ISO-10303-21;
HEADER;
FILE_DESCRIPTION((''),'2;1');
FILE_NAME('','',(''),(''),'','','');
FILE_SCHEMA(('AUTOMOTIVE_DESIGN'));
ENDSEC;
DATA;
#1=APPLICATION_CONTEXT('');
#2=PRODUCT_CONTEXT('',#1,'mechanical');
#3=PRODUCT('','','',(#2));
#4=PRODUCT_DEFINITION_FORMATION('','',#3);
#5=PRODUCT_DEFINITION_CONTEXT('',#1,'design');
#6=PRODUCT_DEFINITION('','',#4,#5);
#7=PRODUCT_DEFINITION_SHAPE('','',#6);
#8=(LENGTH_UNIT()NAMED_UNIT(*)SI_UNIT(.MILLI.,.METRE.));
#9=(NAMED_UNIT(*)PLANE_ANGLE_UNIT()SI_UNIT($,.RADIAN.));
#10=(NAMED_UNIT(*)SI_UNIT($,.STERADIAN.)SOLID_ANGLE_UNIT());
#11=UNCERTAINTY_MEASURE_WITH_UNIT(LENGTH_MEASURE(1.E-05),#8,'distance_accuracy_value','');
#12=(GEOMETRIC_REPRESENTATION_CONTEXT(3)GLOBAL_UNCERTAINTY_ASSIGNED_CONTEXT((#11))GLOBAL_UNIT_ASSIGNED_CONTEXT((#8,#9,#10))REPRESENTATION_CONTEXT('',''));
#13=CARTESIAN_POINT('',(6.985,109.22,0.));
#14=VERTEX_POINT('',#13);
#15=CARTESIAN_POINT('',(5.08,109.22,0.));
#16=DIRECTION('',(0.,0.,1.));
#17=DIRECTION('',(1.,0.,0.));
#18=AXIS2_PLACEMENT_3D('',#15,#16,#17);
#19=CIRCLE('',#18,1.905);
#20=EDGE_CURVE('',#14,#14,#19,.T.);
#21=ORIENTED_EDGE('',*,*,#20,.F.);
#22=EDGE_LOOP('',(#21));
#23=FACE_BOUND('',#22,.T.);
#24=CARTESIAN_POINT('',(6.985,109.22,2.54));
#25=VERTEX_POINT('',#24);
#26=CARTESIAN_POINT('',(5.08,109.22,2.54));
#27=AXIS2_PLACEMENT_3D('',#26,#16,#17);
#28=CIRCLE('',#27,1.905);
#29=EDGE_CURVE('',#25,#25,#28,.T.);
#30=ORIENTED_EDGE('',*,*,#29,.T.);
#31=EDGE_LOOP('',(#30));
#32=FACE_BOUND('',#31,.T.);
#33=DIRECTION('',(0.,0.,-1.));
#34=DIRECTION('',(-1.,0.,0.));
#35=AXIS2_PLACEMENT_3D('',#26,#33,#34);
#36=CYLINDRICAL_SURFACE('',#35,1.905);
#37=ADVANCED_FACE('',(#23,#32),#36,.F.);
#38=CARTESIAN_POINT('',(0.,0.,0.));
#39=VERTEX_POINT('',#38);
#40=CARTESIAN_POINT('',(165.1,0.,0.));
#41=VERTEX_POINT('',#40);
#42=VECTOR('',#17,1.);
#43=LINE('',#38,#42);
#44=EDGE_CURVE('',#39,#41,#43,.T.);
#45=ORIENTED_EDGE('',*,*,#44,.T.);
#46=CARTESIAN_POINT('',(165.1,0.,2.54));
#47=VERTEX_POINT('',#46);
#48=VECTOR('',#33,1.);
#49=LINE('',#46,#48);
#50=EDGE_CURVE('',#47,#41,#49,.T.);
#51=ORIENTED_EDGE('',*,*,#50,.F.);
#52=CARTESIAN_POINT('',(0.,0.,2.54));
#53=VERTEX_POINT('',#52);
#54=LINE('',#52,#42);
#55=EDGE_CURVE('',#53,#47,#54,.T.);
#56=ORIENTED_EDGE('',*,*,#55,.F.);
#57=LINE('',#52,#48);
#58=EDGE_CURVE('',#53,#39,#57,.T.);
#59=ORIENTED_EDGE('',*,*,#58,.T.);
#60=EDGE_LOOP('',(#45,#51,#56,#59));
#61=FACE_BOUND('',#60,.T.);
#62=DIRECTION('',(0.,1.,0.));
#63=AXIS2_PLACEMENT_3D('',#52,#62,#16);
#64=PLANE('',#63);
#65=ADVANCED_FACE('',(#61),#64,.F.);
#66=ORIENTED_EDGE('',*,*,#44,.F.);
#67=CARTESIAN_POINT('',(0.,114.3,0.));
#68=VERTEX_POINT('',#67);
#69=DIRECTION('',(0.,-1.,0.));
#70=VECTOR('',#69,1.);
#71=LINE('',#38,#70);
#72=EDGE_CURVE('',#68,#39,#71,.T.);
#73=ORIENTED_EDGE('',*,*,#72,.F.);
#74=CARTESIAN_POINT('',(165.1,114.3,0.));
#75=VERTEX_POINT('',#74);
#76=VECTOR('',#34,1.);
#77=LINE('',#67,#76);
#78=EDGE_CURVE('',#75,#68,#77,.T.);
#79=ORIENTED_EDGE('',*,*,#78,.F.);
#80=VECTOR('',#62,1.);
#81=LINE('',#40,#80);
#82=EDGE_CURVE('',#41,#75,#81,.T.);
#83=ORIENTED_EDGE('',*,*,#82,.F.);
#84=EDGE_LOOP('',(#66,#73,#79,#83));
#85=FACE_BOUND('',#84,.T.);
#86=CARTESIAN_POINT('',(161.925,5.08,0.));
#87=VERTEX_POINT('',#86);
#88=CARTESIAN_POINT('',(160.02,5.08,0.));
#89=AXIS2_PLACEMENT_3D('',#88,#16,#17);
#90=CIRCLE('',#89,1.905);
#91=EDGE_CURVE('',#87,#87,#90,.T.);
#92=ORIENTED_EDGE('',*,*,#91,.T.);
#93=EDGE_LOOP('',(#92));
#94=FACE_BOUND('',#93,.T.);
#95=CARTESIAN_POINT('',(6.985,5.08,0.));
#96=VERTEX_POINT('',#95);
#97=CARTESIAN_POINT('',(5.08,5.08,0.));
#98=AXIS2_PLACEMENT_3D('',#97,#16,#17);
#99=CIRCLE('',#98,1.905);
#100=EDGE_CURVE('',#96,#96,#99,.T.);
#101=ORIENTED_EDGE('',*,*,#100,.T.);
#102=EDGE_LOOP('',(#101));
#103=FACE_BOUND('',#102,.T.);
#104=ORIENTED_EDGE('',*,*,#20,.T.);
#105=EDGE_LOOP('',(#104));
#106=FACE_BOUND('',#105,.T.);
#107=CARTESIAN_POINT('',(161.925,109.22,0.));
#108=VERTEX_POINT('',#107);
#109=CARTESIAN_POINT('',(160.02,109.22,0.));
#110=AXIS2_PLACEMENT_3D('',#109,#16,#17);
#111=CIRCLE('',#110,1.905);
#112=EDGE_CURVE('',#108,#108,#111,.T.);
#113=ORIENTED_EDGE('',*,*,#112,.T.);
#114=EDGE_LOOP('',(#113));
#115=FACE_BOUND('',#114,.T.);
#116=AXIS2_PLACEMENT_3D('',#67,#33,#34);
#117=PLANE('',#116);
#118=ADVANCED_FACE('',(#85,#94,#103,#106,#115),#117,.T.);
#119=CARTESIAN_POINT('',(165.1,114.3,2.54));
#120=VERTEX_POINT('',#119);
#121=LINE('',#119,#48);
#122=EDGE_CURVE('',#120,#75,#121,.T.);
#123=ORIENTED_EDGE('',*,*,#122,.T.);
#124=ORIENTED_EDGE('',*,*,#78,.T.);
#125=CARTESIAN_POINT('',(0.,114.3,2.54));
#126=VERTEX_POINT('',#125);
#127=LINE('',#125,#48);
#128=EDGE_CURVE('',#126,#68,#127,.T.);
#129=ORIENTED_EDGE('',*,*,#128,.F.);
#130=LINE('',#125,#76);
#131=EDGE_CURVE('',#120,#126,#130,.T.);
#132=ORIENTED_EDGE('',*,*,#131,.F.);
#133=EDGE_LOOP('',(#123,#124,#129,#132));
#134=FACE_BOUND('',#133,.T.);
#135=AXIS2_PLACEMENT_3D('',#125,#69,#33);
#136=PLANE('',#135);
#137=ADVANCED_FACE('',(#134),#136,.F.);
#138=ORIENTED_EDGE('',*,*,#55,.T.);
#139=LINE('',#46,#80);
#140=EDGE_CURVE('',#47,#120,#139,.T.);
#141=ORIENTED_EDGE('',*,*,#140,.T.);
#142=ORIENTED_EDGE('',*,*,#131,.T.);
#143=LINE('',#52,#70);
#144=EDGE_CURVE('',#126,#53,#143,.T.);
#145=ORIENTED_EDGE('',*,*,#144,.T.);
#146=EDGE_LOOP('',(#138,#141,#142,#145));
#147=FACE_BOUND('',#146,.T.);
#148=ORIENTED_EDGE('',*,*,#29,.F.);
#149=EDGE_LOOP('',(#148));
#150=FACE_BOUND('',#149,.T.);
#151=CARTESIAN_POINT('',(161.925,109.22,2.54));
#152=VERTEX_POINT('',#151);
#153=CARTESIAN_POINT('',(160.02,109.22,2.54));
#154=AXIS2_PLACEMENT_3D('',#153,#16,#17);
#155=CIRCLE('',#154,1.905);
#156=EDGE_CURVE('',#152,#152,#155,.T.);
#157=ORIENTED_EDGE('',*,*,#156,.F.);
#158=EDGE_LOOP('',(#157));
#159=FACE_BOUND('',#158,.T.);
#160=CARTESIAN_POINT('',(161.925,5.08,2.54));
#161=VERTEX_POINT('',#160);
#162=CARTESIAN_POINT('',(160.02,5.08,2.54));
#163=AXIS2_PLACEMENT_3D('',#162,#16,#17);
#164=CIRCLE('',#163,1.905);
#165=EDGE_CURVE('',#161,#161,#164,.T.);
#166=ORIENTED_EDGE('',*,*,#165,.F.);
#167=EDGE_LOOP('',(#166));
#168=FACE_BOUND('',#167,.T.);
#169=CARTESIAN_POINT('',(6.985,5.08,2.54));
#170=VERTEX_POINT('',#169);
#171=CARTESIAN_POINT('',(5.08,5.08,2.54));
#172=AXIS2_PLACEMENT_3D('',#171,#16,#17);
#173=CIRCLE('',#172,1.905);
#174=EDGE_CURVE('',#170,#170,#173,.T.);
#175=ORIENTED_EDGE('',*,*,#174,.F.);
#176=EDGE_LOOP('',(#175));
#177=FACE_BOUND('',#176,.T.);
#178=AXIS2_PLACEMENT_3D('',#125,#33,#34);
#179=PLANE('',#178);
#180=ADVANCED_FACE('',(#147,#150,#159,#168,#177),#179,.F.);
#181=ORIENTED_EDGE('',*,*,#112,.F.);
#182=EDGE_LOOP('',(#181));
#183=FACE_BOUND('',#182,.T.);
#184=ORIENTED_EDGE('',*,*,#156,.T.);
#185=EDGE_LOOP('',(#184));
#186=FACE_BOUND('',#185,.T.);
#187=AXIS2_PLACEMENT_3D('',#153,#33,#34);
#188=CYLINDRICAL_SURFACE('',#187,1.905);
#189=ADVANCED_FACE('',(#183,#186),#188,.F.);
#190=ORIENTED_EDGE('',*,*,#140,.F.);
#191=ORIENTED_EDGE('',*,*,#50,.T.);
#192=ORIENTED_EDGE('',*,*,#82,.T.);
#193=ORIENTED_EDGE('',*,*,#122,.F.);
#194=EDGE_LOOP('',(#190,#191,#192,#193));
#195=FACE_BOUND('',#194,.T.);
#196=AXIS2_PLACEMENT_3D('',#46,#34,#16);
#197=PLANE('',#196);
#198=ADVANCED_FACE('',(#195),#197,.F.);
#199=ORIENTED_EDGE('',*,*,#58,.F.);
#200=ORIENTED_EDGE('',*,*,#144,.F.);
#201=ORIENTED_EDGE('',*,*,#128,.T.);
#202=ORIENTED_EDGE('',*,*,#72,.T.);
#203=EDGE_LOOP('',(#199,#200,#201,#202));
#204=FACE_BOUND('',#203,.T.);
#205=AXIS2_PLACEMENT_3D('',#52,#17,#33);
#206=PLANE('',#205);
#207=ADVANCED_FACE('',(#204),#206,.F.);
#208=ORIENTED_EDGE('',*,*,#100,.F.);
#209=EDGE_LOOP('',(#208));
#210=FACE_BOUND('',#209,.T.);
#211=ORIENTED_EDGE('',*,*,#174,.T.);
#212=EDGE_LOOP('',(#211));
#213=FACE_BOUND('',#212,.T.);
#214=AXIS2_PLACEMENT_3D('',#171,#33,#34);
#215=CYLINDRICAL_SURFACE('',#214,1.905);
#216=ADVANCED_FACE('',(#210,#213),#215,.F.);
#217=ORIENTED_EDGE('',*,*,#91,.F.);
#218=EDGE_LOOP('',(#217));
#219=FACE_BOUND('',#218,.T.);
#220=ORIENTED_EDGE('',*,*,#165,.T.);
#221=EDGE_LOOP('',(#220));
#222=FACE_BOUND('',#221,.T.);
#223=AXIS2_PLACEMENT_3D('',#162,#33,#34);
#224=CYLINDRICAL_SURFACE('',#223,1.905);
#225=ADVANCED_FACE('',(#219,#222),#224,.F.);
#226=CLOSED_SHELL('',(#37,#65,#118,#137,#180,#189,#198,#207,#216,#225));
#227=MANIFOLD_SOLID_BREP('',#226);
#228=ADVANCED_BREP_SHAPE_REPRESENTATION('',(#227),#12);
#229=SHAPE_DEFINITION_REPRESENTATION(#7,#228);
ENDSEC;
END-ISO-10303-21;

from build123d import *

# Parameters (mm, degrees)
SKETCH1_W      = 165.1
SKETCH1_H      = 114.3
SKETCH1_R      = 1.905
EXTRUDE1_DEPTH = 2.54


with BuildPart() as part:
    # Sketch1 → Extrude1 (new body)
    with BuildSketch(Plane.XY):
        with Locations((82.55, 57.15)):
            Rectangle(SKETCH1_W, SKETCH1_H)
        with Locations((5.08, 109.22)):
            Circle(SKETCH1_R, mode=Mode.SUBTRACT)
        with Locations((160.02, 109.22)):
            Circle(SKETCH1_R, mode=Mode.SUBTRACT)
        with Locations((160.02, 5.08)):
            Circle(SKETCH1_R, mode=Mode.SUBTRACT)
        with Locations((5.08, 5.08)):
            Circle(SKETCH1_R, mode=Mode.SUBTRACT)
    extrude(amount=EXTRUDE1_DEPTH)


solid = part.part
